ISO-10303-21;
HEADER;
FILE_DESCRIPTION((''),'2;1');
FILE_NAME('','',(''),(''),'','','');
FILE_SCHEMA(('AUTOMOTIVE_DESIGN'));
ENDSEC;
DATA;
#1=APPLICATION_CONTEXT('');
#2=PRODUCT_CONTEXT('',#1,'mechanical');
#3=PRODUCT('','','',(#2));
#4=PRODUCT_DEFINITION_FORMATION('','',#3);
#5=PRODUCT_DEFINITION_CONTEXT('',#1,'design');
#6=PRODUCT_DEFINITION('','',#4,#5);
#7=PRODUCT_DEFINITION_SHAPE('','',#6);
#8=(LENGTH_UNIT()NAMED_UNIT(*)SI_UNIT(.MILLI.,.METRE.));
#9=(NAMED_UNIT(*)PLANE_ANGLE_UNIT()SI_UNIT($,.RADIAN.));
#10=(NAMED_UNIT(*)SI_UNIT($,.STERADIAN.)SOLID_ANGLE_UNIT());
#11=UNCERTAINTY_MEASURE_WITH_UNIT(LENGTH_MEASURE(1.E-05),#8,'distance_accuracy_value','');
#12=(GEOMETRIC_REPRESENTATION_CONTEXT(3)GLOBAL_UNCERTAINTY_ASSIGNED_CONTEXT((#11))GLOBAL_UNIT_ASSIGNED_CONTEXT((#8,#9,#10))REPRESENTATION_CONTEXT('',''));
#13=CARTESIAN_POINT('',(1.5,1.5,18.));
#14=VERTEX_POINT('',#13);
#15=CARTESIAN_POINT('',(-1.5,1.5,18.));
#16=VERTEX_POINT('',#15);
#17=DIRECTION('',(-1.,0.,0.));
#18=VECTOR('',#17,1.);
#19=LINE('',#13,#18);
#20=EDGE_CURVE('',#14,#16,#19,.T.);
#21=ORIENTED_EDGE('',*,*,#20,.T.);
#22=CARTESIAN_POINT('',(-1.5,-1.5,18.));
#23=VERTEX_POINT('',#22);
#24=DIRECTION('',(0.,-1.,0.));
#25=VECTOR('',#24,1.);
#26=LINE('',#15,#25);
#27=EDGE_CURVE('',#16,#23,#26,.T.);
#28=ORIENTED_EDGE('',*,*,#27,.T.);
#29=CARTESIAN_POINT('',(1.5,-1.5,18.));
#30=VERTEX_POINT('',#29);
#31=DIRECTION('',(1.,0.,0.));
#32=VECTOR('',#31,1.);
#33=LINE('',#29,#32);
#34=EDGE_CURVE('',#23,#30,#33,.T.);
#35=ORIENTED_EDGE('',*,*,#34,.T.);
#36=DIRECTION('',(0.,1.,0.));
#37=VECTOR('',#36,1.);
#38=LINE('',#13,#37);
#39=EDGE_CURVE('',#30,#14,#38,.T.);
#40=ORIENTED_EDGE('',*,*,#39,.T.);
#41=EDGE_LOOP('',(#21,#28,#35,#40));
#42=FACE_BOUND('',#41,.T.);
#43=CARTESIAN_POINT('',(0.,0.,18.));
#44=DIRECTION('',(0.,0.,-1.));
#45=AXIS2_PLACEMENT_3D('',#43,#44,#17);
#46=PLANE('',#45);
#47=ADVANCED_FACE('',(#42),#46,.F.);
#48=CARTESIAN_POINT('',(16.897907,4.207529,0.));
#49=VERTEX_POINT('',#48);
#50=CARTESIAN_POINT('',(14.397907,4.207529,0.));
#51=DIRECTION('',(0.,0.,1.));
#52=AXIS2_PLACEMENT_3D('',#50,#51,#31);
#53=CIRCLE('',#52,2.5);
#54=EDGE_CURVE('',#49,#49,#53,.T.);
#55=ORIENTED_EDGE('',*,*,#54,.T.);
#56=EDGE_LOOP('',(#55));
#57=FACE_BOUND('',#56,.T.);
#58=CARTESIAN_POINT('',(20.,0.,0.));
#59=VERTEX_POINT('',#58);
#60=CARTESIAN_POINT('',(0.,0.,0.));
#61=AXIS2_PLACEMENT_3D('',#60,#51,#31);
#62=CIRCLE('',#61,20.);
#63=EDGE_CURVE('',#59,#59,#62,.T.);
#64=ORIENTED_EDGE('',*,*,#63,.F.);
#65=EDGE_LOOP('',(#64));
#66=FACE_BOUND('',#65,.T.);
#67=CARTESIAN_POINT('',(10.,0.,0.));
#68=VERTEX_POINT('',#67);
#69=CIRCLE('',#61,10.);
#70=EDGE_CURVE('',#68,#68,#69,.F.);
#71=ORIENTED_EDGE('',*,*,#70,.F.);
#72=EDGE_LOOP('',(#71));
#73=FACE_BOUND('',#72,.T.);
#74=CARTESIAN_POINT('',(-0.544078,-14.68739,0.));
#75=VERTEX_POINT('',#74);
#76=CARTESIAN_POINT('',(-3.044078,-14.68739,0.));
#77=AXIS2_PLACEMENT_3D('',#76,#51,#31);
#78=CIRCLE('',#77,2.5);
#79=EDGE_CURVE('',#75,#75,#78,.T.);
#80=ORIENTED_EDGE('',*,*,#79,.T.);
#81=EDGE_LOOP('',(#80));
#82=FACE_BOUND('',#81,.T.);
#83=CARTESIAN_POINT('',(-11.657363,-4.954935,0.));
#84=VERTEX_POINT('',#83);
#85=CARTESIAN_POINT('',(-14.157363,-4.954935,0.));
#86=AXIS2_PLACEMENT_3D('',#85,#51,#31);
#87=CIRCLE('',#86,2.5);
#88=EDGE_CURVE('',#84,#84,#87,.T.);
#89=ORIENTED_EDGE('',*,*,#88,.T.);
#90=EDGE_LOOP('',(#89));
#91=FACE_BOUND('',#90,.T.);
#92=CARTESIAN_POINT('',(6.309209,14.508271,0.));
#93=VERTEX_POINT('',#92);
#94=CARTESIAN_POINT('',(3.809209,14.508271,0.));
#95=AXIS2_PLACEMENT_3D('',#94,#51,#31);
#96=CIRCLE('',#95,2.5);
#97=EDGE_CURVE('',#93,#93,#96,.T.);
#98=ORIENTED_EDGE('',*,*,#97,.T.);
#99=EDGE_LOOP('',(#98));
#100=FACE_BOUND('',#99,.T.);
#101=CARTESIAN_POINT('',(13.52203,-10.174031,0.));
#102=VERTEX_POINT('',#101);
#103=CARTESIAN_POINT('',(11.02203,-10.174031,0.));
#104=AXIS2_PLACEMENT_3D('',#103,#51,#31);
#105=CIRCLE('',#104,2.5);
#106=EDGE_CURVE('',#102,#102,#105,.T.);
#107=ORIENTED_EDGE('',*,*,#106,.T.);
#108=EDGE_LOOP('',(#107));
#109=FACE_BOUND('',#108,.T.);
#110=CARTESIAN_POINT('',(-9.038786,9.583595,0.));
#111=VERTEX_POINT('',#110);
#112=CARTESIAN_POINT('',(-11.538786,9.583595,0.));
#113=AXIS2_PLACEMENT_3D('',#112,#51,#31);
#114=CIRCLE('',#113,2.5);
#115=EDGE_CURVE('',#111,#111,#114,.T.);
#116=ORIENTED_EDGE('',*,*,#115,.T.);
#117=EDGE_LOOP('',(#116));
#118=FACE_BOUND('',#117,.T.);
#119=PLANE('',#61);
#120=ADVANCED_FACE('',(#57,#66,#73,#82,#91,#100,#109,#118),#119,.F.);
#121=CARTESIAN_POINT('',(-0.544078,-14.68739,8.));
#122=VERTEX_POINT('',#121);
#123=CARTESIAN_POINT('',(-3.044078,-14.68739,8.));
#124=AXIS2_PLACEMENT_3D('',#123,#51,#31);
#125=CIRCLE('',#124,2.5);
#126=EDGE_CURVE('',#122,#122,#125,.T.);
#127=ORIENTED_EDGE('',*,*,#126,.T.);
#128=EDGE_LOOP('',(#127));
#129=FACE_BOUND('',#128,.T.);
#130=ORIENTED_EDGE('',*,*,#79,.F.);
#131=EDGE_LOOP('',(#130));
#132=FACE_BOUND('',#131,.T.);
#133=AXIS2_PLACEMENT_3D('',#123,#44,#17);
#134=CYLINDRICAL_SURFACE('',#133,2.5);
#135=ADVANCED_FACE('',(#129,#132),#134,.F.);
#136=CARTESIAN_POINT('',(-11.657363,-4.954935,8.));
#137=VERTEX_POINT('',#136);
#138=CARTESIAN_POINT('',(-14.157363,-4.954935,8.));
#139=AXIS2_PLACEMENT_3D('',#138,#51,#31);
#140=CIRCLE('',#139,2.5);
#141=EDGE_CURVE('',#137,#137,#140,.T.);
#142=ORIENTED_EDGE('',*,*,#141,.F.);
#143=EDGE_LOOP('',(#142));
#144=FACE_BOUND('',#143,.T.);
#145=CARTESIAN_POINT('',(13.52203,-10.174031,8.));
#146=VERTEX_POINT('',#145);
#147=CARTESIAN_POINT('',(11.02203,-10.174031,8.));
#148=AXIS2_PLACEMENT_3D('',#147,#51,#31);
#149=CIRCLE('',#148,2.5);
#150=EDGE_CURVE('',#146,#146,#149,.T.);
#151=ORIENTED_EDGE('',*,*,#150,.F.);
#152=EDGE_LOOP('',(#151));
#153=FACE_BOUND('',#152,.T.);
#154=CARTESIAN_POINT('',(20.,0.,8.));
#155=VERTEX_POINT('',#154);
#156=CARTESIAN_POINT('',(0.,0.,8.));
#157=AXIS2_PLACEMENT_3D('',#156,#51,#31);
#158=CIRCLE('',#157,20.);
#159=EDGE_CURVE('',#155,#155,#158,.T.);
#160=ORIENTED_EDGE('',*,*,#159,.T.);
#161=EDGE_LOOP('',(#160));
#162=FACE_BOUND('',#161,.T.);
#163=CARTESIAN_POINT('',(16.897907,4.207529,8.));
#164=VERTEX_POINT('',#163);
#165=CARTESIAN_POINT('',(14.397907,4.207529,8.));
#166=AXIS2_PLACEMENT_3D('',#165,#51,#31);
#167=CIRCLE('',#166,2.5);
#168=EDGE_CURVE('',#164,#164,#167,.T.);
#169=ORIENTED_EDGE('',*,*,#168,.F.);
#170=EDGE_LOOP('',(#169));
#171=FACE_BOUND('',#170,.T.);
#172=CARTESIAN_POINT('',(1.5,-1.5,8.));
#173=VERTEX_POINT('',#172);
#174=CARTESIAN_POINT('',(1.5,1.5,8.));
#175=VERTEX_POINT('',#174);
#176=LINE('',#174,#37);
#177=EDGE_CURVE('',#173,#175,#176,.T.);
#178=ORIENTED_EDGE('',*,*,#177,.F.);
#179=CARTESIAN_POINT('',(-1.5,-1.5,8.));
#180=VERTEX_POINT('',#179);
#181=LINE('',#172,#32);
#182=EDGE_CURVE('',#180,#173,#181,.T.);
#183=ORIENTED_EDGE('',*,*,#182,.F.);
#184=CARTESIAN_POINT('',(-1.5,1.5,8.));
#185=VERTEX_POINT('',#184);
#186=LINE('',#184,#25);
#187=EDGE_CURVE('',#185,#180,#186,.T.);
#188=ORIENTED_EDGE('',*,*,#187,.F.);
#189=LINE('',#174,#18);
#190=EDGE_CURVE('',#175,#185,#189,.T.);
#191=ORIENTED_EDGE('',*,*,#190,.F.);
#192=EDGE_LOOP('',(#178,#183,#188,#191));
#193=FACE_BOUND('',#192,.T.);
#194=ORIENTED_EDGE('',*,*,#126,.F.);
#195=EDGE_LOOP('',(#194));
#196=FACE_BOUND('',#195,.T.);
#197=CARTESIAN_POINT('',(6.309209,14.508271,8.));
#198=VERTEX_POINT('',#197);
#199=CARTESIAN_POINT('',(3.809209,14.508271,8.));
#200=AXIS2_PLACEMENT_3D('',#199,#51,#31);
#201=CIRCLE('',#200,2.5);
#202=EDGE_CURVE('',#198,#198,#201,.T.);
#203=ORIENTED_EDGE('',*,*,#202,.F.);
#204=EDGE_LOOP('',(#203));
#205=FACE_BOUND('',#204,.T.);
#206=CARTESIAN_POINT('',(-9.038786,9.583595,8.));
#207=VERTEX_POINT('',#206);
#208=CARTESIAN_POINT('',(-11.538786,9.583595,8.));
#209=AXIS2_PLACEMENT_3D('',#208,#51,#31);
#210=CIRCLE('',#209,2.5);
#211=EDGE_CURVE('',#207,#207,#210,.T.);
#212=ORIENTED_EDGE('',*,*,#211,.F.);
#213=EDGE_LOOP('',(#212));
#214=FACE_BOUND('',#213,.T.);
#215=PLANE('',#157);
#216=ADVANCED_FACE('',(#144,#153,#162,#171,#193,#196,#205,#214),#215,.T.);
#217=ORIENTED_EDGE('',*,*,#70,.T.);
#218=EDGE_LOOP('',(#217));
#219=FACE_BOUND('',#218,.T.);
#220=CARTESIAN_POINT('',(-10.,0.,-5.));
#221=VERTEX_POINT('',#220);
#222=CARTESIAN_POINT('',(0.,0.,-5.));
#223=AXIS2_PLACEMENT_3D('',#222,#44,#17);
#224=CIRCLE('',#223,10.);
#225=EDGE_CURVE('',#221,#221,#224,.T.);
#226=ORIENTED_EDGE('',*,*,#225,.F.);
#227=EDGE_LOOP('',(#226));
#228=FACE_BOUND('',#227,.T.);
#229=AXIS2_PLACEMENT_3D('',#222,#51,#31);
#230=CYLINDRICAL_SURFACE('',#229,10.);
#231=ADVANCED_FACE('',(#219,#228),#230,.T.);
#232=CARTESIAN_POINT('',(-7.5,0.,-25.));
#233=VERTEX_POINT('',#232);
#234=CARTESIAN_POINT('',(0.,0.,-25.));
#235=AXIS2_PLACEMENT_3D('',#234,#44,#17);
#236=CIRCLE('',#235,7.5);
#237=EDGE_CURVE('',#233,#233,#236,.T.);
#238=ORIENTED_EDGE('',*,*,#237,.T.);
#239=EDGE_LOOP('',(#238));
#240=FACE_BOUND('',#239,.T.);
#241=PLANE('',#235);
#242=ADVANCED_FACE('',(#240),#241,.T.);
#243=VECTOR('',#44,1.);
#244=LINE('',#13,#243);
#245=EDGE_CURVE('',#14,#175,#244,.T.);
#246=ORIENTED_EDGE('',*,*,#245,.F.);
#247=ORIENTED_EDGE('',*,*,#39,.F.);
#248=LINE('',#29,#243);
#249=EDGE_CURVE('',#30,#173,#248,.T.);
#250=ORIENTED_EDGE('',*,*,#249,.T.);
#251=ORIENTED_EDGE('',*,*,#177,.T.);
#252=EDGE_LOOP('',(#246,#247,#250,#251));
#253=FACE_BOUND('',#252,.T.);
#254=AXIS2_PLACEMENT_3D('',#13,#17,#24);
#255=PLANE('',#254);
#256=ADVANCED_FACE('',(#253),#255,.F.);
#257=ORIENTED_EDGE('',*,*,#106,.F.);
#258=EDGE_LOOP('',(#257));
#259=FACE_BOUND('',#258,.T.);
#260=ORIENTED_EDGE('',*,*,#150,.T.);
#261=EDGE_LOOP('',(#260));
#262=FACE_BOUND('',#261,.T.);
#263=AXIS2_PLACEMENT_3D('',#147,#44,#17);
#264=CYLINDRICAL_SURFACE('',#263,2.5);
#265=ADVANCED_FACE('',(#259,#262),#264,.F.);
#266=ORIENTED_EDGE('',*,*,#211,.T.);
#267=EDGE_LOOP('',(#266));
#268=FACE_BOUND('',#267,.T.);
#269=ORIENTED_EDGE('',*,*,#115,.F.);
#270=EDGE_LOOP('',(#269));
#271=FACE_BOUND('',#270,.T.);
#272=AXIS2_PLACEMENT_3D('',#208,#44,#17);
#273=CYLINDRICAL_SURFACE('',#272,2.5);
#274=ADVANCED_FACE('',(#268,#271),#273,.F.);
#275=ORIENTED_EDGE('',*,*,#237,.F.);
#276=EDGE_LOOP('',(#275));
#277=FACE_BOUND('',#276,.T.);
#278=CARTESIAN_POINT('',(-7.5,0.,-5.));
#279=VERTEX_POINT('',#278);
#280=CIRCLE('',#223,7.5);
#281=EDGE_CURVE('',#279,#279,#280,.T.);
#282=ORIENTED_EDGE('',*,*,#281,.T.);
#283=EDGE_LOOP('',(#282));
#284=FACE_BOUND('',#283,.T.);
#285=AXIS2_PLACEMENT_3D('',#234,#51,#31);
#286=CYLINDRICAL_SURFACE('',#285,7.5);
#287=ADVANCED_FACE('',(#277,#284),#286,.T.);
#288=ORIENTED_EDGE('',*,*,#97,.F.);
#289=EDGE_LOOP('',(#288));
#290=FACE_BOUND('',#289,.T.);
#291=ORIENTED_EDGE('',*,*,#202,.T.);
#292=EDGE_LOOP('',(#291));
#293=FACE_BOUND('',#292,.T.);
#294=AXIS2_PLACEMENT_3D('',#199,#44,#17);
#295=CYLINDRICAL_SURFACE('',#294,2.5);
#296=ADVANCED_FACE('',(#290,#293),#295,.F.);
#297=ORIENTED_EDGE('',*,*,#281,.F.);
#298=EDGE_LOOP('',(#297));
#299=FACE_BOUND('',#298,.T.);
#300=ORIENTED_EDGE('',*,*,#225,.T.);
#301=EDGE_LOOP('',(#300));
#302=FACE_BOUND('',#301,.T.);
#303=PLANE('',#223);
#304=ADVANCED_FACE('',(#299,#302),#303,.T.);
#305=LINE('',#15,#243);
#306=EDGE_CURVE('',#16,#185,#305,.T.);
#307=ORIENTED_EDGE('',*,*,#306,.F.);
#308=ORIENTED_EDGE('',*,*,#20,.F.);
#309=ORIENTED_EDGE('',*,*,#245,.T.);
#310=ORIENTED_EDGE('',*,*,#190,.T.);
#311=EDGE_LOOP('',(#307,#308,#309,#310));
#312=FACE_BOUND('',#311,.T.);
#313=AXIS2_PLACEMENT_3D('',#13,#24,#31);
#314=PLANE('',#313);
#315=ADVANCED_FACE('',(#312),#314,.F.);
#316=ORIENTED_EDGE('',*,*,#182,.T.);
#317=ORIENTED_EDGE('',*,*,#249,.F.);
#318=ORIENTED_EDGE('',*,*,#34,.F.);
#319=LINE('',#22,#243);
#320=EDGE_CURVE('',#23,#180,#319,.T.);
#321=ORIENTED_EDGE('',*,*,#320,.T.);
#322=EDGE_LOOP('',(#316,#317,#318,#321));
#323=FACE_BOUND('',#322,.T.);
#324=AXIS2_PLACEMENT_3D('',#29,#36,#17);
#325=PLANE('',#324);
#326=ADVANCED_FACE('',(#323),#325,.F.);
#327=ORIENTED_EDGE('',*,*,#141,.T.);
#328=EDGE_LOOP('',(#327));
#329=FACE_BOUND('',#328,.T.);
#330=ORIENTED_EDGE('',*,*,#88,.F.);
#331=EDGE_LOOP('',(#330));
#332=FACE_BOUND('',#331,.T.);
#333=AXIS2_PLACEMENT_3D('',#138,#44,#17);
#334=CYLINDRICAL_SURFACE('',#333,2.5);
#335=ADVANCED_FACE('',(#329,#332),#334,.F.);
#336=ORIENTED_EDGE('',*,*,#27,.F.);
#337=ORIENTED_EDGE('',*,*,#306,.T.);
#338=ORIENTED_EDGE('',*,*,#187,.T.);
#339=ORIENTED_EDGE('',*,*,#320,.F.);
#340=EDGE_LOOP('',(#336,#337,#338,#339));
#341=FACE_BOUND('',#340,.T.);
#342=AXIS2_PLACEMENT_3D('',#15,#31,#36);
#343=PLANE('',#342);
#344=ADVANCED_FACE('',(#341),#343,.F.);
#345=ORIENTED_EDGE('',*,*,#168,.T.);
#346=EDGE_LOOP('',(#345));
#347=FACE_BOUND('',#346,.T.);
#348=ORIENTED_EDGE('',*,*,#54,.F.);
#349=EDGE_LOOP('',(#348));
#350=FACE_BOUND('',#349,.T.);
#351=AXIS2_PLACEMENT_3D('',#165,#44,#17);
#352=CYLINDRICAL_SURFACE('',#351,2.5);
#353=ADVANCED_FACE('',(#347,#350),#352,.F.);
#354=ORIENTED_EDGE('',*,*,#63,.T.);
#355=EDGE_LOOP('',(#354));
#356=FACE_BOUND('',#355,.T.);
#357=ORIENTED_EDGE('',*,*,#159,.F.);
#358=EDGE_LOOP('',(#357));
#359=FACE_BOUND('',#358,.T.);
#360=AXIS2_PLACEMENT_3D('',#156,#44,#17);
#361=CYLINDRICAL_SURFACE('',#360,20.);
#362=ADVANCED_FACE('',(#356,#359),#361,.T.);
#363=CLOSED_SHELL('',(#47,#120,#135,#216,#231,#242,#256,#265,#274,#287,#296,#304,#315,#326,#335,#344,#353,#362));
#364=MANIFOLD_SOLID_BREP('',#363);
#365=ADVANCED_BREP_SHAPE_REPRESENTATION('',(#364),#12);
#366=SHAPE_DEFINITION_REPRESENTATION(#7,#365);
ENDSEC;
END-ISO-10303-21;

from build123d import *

# Parameters (mm, degrees)
SKETCH1_R           = 20
SKETCH1_R_2         = 2.5
BOSS_EXTRUDE1_DEPTH = 8
SKETCH2_W           = 3
SKETCH2_H           = 3
BOSS_EXTRUDE2_DEPTH = 10
SKETCH3_R           = 7.5
BOSS_EXTRUDE3_DEPTH = 25
SKETCH4_R           = 10
BOSS_EXTRUDE4_DEPTH = 5


with BuildPart() as part:
    # Sketch1 → Boss-Extrude1 (new body)
    with BuildSketch(Plane.XY):
        Circle(SKETCH1_R)
        with Locations((3.80920927, 14.508270908)):
            Circle(SKETCH1_R_2, mode=Mode.SUBTRACT)
        with Locations((14.397906738, 4.207528657)):
            Circle(SKETCH1_R_2, mode=Mode.SUBTRACT)
        with Locations((11.022029668, -10.174031029)):
            Circle(SKETCH1_R_2, mode=Mode.SUBTRACT)
        with Locations((-3.044078256, -14.687390408)):
            Circle(SKETCH1_R_2, mode=Mode.SUBTRACT)
        with Locations((-14.157363478, -4.954934573)):
            Circle(SKETCH1_R_2, mode=Mode.SUBTRACT)
        with Locations((-11.538785608, 9.58359544)):
            Circle(SKETCH1_R_2, mode=Mode.SUBTRACT)
    extrude(amount=BOSS_EXTRUDE1_DEPTH)

    # Sketch2 → Boss-Extrude2 (add)
    with BuildSketch(Plane.XY.offset(8)):
        Rectangle(SKETCH2_W, SKETCH2_H)
    extrude(amount=BOSS_EXTRUDE2_DEPTH)

    # Sketch3 → Boss-Extrude3 (add)
    with BuildSketch(Plane(origin=(0, 0, 0), x_dir=(-1, 0, 0), z_dir=(0, 0, -1))):
        with Locations(Location((0, 0, 0), (0, 0, 180))):
            Circle(SKETCH3_R)
    extrude(amount=BOSS_EXTRUDE3_DEPTH)

    # Sketch4 → Boss-Extrude4 (add)
    with BuildSketch(Plane(origin=(0, 0, 0), x_dir=(-1, 0, 0), z_dir=(0, 0, -1))):
        with Locations(Location((0, 0, 0), (0, 0, 180))):
            Circle(SKETCH4_R)
    extrude(amount=BOSS_EXTRUDE4_DEPTH)


solid = part.part
